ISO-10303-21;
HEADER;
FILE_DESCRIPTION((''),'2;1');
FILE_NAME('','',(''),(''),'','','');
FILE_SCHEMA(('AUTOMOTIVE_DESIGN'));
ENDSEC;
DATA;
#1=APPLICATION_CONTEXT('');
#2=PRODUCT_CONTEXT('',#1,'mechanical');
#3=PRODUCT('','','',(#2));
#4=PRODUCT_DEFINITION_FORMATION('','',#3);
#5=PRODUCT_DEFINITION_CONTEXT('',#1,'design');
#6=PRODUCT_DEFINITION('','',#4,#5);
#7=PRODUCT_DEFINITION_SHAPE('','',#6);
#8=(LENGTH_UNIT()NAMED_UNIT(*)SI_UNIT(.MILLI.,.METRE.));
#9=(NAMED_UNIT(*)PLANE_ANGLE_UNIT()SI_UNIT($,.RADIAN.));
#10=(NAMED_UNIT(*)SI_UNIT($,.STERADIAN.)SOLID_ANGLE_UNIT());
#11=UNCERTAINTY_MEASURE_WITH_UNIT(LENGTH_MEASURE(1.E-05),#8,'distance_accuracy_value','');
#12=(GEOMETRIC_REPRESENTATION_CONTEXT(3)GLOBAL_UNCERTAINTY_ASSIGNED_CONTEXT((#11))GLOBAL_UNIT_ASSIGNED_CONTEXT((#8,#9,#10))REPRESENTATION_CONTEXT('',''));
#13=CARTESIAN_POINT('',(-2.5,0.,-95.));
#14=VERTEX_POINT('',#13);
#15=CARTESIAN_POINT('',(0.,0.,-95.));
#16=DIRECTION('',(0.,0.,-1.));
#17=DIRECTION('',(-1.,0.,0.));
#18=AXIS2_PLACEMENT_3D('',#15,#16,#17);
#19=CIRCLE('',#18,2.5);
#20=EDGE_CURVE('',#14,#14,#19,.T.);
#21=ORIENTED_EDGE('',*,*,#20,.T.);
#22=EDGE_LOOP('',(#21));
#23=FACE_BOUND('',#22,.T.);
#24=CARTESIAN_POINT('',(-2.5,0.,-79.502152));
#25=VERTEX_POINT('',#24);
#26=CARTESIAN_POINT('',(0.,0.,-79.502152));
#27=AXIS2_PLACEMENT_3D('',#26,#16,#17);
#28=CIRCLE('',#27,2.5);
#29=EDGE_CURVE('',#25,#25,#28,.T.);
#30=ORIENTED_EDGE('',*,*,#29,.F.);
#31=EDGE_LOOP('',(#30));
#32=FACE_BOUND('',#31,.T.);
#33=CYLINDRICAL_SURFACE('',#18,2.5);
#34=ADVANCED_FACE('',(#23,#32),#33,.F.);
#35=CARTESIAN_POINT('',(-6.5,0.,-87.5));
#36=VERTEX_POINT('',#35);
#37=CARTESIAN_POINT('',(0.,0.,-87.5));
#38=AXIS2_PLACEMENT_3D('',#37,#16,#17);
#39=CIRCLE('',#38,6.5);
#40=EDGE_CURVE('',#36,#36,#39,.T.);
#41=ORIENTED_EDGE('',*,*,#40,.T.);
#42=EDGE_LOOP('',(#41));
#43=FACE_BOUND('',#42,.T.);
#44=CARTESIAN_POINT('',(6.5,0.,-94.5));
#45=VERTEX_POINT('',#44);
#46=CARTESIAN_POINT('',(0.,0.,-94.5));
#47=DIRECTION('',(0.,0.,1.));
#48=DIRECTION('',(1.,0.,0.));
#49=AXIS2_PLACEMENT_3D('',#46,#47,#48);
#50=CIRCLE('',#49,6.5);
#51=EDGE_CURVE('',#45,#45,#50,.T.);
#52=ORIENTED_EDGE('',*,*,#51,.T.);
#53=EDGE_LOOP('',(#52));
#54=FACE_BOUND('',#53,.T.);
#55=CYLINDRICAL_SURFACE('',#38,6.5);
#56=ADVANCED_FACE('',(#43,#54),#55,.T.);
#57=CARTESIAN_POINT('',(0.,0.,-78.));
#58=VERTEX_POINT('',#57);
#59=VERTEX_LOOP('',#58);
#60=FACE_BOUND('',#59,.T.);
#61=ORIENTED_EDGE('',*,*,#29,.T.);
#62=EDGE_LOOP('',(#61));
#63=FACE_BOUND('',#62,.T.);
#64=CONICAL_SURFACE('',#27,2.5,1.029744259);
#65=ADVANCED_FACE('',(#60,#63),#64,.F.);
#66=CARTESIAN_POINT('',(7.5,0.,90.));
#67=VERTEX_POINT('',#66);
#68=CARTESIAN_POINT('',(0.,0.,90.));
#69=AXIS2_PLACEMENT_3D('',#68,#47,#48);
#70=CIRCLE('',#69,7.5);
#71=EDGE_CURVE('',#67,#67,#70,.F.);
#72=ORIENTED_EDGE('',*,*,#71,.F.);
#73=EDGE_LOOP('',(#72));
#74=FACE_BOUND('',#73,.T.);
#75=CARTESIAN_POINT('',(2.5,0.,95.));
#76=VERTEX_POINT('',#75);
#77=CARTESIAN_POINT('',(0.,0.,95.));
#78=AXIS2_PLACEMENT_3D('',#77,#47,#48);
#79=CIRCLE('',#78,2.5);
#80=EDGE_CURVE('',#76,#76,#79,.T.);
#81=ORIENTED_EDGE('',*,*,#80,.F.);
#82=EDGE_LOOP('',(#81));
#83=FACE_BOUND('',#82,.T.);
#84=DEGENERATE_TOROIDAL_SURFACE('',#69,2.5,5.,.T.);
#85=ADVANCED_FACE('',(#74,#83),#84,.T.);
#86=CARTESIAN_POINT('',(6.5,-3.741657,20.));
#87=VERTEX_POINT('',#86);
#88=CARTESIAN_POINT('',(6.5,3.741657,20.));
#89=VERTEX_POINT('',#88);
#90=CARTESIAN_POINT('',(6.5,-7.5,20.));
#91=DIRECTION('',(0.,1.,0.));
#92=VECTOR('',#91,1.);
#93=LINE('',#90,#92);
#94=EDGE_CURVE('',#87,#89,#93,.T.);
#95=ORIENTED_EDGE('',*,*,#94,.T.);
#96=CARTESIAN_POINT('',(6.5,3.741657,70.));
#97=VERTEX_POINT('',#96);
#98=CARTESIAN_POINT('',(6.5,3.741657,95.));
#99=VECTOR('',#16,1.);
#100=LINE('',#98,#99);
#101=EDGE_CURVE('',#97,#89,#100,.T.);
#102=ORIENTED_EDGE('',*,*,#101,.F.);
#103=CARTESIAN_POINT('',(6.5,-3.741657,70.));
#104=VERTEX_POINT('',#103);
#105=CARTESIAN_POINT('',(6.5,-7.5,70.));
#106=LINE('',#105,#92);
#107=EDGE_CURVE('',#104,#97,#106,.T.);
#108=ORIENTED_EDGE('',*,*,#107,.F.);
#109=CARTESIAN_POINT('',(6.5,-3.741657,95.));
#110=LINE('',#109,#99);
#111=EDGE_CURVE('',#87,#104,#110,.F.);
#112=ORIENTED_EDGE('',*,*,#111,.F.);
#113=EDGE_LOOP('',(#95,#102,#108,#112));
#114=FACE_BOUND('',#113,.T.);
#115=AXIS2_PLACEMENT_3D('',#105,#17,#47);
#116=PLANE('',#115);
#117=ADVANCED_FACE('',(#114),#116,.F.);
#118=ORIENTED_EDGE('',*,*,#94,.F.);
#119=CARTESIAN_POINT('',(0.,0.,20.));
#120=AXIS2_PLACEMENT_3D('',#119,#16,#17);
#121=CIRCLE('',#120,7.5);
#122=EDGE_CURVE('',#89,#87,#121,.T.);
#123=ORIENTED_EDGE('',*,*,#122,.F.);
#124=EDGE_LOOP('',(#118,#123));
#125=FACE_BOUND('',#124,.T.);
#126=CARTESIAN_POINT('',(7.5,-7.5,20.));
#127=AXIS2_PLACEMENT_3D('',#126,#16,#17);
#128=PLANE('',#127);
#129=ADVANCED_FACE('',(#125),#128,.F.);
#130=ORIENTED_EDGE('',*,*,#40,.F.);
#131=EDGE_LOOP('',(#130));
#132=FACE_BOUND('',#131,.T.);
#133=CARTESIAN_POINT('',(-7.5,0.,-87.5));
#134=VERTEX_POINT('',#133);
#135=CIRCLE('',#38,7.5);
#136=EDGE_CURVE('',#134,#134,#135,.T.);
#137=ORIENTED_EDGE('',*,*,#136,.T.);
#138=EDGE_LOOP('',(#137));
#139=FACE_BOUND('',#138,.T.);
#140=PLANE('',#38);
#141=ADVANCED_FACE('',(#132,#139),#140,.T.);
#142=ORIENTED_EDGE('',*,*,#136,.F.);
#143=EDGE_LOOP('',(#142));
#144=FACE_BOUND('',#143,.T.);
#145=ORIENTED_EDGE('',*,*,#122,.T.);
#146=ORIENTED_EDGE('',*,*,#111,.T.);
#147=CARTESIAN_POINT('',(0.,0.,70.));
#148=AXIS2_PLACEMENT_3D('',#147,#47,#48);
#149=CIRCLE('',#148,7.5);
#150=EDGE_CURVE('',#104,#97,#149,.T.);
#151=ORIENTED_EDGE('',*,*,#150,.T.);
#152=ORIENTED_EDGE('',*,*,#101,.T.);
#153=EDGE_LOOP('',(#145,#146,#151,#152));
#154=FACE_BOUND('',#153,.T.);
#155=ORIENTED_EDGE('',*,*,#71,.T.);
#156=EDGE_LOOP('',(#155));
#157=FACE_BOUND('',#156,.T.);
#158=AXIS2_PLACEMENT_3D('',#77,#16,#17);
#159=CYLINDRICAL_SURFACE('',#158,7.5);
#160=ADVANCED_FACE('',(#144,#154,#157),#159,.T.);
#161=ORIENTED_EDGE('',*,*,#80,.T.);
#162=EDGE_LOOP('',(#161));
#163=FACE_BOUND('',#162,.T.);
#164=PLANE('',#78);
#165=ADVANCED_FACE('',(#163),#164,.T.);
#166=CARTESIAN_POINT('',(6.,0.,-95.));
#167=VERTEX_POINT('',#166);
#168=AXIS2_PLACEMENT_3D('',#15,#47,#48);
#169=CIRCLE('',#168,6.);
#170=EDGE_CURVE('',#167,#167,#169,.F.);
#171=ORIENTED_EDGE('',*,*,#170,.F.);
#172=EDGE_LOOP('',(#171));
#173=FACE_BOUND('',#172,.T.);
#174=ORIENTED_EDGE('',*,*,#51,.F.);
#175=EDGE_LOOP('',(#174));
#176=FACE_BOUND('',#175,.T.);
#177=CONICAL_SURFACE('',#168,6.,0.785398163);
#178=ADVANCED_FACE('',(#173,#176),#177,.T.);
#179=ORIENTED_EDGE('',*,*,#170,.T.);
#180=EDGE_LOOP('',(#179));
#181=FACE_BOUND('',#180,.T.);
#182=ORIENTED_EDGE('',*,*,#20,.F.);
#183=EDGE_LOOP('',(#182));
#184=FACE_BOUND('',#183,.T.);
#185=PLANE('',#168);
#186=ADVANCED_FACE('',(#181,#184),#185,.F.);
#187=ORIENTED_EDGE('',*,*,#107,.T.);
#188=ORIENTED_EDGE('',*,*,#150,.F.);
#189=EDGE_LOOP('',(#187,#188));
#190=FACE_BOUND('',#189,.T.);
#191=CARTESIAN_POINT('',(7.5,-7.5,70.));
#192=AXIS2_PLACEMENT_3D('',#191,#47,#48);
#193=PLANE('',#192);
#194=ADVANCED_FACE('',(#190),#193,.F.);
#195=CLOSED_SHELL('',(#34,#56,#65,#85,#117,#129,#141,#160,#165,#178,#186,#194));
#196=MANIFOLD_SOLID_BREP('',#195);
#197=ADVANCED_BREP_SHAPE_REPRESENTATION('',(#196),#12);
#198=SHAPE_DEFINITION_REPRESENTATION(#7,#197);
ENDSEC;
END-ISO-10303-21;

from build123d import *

# Parameters (mm, degrees)
ESBO_O1_R                     = 7.5
RESSALTO_EXTRUS_O1_DEPTH      = 95
CORTE_EXTRUS_O1_START         = -7.5
ESBO_O2_R                     = 7.5
ESBO_O2_R_2                   = 6.5
CORTE_EXTRUS_O1_DEPTH         = 7.5
FILETE1_R                     = 5
FURO_ROSCADO_DE_M6X1_01_D     = 5
FURO_ROSCADO_DE_M6X1_01_DEPTH = 15.497848452
FURO_ROSCADO_DE_M6X1_01_TIP   = 1.502151548
CHANFRO1_SIZE                 = 0.5
CORTE_EXTRUS_O2_DEPTH         = 96.590271472
CORTE_EXTRUS_O2_DEPTH_BACK    = 96.590271472
ESBO_O8_W                     = 1
ESBO_O8_H                     = 50


with BuildPart() as part:
    # Esboço1 → Ressalto-extrusão1 (new, symmetric)
    with BuildSketch(Plane.XY):
        Circle(ESBO_O1_R)
    extrude(amount=RESSALTO_EXTRUS_O1_DEPTH, both=True)

    # Esboço2 → Corte-extrusão1 (cut)
    with BuildSketch(Plane(origin=(0, 0, -95), x_dir=(-1, 0, 0), z_dir=(0, 0, -1)).offset(CORTE_EXTRUS_O1_START)):
        Circle(ESBO_O2_R)
        Circle(ESBO_O2_R_2, mode=Mode.SUBTRACT)
    extrude(amount=CORTE_EXTRUS_O1_DEPTH, mode=Mode.SUBTRACT)

    # Filete1
    filete1_edges = [part.edges().sort_by_distance(p)[0] for p in [
        (-7.5, 0, 95),
    ]]
    fillet(filete1_edges, radius=FILETE1_R)

    # Furo roscado de M6x1.01
    with Locations(Plane(origin=(0, 0, -95), x_dir=(-1, 0, 0), z_dir=(0, 0, -1))):
        with Locations((0, 0)):
            Hole(FURO_ROSCADO_DE_M6X1_01_D / 2, depth=FURO_ROSCADO_DE_M6X1_01_DEPTH)
            with Locations((0, 0, -(FURO_ROSCADO_DE_M6X1_01_DEPTH + FURO_ROSCADO_DE_M6X1_01_TIP / 2))):  # 118° drill point
                Cone(0, FURO_ROSCADO_DE_M6X1_01_D / 2, FURO_ROSCADO_DE_M6X1_01_TIP, mode=Mode.SUBTRACT)

    # Chanfro1
    chanfro1_edges = [part.edges().sort_by_distance(p)[0] for p in [
        (6.5, 0, -95),
    ]]
    chamfer(chanfro1_edges, length=CHANFRO1_SIZE)

    # Esboço8 → Corte-extrusão2 (cut, two sides: drawn at the far end of the back side and taken through both)
    with BuildSketch(Plane(origin=(0, 0, 0), x_dir=(1, 0, 0), z_dir=(0, 1, 0)).offset(-CORTE_EXTRUS_O2_DEPTH_BACK)):
        with Locations((7, -45)):
            Rectangle(ESBO_O8_W, ESBO_O8_H)
    extrude(amount=CORTE_EXTRUS_O2_DEPTH + CORTE_EXTRUS_O2_DEPTH_BACK, mode=Mode.SUBTRACT)


solid = part.part
